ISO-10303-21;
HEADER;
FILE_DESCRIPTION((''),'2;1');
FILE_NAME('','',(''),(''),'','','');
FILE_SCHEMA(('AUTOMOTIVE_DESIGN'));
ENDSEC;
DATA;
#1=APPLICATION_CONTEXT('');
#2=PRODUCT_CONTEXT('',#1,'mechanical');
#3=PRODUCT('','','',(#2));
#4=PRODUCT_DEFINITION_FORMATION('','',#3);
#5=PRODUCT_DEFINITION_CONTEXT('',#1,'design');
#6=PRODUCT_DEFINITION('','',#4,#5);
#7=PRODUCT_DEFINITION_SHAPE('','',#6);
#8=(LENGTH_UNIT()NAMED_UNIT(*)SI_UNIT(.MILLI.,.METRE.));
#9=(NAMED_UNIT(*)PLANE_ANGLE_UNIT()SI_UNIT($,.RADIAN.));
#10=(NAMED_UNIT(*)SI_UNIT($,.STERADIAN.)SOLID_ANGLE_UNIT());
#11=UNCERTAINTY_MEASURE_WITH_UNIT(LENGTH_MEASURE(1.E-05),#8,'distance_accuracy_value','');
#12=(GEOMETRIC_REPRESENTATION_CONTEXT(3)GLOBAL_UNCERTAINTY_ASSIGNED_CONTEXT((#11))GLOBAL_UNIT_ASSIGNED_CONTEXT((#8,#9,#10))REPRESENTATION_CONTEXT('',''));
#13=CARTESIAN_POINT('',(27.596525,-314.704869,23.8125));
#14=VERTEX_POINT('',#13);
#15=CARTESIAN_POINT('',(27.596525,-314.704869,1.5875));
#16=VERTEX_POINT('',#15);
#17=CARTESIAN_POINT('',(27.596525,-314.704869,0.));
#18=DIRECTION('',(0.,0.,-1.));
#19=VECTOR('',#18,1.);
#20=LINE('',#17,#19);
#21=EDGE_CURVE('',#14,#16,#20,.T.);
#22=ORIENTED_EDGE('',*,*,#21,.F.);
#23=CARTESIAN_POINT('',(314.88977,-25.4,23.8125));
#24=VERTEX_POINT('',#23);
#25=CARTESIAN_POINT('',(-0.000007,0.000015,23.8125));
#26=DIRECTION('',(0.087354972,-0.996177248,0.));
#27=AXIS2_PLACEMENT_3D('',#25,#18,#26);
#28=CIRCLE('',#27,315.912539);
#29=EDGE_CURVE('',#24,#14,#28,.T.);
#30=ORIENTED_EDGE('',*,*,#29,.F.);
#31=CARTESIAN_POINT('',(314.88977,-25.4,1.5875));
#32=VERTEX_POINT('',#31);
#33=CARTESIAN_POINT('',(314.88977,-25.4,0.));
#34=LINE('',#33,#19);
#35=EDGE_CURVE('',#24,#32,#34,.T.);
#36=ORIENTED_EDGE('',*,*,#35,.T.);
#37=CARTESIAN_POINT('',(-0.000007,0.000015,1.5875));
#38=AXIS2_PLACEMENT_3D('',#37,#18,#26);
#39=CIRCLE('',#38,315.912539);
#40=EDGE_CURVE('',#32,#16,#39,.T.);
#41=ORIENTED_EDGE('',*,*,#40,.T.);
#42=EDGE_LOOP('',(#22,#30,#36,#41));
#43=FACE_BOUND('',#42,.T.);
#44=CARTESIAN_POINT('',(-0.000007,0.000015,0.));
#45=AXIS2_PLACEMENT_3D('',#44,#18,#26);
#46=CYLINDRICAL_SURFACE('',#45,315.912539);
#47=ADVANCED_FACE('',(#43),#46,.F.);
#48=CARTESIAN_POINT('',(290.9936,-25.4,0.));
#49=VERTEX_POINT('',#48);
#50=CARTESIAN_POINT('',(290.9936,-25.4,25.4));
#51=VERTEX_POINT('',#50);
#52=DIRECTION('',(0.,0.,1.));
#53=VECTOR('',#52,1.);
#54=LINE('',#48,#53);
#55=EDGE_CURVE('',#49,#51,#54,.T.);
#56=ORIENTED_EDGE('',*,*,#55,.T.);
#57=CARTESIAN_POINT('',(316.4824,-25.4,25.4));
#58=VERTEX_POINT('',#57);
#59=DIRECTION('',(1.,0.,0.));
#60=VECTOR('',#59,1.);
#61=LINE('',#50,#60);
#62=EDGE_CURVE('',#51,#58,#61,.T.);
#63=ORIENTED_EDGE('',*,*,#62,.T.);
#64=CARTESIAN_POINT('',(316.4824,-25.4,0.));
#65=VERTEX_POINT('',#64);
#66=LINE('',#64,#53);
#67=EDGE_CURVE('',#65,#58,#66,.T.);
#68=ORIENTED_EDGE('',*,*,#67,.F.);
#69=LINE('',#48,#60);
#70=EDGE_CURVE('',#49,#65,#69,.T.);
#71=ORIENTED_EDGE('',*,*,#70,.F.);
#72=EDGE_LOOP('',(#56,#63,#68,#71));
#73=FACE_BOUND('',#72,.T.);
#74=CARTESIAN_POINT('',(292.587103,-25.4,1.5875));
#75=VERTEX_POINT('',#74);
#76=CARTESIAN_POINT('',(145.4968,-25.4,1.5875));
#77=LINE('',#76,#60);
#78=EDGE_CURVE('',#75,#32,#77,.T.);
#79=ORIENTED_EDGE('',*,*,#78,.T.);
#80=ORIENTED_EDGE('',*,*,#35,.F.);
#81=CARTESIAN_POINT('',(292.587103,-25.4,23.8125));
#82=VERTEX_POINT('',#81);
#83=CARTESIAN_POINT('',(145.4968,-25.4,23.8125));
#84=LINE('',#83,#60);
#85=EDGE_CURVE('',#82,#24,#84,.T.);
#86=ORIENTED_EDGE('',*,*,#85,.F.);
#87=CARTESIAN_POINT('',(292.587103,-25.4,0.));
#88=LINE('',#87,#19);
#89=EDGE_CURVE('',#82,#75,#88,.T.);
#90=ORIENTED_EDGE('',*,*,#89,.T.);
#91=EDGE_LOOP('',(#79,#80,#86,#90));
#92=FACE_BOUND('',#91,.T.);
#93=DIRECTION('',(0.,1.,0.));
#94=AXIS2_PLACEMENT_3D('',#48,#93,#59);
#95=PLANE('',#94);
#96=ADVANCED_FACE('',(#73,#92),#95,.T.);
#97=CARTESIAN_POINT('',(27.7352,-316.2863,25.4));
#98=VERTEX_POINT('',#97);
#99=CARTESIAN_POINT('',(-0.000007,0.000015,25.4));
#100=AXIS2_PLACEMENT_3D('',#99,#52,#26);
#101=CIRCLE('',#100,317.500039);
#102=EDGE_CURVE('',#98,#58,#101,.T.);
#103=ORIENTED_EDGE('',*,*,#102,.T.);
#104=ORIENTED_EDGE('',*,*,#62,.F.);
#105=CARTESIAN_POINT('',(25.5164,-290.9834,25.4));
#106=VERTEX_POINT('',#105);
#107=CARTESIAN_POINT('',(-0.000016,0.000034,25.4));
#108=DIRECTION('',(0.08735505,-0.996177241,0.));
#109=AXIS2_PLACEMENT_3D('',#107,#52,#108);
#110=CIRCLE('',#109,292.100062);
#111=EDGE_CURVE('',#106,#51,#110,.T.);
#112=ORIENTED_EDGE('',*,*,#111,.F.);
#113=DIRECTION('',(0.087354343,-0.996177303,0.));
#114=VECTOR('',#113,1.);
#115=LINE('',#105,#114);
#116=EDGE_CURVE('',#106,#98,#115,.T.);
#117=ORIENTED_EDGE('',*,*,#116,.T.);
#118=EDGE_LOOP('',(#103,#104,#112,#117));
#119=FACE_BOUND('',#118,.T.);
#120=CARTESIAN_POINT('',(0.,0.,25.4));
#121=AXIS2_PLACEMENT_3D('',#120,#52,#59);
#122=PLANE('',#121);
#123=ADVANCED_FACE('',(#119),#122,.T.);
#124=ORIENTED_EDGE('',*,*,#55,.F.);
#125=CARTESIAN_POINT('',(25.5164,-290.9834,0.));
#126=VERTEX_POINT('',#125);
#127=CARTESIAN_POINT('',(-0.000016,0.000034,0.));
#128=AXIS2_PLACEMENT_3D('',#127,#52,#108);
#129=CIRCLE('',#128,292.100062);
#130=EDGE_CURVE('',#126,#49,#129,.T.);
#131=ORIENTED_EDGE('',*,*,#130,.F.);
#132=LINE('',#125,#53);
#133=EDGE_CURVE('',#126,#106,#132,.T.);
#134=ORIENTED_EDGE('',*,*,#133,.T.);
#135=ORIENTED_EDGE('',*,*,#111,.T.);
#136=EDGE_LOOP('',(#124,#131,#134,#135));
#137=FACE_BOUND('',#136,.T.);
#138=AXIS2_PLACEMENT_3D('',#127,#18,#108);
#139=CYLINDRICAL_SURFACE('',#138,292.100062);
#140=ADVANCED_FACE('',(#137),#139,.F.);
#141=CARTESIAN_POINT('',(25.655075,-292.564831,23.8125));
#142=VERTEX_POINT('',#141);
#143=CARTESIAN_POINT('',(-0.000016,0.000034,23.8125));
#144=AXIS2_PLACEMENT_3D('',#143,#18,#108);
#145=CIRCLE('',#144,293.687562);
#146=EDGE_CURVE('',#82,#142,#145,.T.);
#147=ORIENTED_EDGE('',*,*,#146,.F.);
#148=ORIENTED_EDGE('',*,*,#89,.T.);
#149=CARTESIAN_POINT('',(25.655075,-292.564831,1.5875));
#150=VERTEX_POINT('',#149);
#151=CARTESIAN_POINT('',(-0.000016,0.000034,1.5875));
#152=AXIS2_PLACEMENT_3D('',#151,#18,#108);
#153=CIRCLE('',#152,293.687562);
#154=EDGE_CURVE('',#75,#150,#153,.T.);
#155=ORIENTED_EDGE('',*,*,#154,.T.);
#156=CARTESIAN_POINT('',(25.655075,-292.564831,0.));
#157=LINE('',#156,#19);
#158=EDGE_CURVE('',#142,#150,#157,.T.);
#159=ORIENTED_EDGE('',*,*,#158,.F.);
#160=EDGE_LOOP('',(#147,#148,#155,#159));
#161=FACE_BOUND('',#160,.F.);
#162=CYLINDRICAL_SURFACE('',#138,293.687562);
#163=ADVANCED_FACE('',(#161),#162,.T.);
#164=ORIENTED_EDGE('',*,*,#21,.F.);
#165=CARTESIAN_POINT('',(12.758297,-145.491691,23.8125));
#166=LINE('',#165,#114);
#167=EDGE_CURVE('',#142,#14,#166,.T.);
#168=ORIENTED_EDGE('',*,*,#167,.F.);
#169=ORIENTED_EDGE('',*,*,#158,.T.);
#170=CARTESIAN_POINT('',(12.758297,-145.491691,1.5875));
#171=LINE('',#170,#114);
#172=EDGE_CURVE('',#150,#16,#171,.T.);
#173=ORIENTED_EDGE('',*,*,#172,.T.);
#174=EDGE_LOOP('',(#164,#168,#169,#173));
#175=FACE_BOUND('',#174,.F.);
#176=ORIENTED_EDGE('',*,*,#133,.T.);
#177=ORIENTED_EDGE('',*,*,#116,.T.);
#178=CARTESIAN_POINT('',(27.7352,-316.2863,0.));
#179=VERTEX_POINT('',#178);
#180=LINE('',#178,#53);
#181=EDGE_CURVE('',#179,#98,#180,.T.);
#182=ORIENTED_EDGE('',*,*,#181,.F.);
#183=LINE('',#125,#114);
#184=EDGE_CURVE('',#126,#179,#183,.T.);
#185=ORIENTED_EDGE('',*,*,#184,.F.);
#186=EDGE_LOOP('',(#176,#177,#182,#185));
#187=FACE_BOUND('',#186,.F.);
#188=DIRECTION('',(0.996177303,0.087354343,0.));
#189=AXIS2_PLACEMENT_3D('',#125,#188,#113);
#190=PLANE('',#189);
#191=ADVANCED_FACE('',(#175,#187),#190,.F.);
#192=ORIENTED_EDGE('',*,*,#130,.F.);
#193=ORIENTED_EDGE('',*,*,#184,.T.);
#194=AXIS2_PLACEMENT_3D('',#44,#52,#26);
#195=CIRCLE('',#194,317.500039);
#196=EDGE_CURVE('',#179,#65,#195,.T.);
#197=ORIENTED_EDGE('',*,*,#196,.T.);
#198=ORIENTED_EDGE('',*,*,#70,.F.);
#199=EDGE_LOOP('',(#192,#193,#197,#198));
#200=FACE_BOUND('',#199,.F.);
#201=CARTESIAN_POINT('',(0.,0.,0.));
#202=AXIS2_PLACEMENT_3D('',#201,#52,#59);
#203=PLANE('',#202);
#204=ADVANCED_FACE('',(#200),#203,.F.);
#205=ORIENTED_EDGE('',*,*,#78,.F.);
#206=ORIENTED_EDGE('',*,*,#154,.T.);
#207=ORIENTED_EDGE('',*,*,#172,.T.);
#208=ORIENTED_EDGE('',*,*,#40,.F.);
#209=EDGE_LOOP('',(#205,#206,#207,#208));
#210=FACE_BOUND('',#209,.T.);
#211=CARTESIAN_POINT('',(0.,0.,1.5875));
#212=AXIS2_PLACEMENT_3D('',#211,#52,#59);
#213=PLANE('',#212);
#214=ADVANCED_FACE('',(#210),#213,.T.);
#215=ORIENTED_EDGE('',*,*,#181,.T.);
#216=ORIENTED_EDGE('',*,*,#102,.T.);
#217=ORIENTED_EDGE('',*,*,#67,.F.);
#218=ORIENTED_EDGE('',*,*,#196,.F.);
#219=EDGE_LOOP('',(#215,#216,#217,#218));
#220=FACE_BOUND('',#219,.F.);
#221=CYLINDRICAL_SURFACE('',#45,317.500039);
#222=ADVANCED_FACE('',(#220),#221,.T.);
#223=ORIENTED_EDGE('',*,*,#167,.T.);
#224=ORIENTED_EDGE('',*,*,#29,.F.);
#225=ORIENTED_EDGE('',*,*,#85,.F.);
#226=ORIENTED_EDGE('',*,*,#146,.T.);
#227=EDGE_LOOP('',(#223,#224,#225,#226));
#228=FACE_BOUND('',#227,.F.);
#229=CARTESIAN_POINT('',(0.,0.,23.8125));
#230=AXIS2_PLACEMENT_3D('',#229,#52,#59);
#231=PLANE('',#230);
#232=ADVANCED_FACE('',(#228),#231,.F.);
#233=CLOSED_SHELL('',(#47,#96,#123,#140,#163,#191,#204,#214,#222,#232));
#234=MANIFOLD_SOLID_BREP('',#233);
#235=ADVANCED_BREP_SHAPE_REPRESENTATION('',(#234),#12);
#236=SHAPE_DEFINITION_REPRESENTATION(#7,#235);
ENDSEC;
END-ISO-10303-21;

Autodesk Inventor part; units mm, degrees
ref_plane "YZ Plane" through (0, 0, 0) normal (1, 0, 0) x (0, 1, 0)
ref_plane "XZ Plane" through (0, 0, 0) normal (0, 1, 0) x (-1, 0, 0)
ref_plane "XY Plane" through (0, 0, 0) normal (0, 0, 1) x (1, 0, 0)
sketch "Sketch1" plane through (0, 0, 0) normal (0, 0, 1) x (1, 0, 0)
  arc A0 (25.5164, -290.9834) -> (290.9936, -25.4) centre (0, 0) ccw
  arc A1 (27.7352, -316.2863) -> (316.4824, -25.4) centre (0, 0) ccw
  line L0 (25.5164, -290.9834) -> (27.7352, -316.2863)
  line L1 (290.9936, -25.4) -> (316.4824, -25.4)
  line L2 (0, 0) -> (25.5164, -290.9834) construction
  line L3 (0, -292.1) -> (0, 0) construction
  line L4 (290.9936, -25.4) -> (0, 0) construction
  line L5 (290.9936, 0) -> (316.4824, 0) construction
  line L6 (316.4824, 0) -> (316.4824, -25.4) construction
  line L7 (316.4824, -25.4) -> (290.9936, -25.4) construction
  line L8 (290.9936, -25.4) -> (290.9936, 0) construction
  line L9 (0, 0) -> (359.7285, 0) construction
  dimension "d0" = 292.1
  dimension "d1" = 25.4
  dimension "d9" = 25.4
  dimension "d10" = 80
extrude "Extrusion1" add sketch "Sketch1" along normal blind 25.4
shell "Shell1" thickness 1.5875 removed faces 2 at (299.4898, -25.4, 8.4667) at (26.9956, -307.852, 16.9333)
properties part number "Shooter_Frame_RearGuide" material "Aluminum-6061"
